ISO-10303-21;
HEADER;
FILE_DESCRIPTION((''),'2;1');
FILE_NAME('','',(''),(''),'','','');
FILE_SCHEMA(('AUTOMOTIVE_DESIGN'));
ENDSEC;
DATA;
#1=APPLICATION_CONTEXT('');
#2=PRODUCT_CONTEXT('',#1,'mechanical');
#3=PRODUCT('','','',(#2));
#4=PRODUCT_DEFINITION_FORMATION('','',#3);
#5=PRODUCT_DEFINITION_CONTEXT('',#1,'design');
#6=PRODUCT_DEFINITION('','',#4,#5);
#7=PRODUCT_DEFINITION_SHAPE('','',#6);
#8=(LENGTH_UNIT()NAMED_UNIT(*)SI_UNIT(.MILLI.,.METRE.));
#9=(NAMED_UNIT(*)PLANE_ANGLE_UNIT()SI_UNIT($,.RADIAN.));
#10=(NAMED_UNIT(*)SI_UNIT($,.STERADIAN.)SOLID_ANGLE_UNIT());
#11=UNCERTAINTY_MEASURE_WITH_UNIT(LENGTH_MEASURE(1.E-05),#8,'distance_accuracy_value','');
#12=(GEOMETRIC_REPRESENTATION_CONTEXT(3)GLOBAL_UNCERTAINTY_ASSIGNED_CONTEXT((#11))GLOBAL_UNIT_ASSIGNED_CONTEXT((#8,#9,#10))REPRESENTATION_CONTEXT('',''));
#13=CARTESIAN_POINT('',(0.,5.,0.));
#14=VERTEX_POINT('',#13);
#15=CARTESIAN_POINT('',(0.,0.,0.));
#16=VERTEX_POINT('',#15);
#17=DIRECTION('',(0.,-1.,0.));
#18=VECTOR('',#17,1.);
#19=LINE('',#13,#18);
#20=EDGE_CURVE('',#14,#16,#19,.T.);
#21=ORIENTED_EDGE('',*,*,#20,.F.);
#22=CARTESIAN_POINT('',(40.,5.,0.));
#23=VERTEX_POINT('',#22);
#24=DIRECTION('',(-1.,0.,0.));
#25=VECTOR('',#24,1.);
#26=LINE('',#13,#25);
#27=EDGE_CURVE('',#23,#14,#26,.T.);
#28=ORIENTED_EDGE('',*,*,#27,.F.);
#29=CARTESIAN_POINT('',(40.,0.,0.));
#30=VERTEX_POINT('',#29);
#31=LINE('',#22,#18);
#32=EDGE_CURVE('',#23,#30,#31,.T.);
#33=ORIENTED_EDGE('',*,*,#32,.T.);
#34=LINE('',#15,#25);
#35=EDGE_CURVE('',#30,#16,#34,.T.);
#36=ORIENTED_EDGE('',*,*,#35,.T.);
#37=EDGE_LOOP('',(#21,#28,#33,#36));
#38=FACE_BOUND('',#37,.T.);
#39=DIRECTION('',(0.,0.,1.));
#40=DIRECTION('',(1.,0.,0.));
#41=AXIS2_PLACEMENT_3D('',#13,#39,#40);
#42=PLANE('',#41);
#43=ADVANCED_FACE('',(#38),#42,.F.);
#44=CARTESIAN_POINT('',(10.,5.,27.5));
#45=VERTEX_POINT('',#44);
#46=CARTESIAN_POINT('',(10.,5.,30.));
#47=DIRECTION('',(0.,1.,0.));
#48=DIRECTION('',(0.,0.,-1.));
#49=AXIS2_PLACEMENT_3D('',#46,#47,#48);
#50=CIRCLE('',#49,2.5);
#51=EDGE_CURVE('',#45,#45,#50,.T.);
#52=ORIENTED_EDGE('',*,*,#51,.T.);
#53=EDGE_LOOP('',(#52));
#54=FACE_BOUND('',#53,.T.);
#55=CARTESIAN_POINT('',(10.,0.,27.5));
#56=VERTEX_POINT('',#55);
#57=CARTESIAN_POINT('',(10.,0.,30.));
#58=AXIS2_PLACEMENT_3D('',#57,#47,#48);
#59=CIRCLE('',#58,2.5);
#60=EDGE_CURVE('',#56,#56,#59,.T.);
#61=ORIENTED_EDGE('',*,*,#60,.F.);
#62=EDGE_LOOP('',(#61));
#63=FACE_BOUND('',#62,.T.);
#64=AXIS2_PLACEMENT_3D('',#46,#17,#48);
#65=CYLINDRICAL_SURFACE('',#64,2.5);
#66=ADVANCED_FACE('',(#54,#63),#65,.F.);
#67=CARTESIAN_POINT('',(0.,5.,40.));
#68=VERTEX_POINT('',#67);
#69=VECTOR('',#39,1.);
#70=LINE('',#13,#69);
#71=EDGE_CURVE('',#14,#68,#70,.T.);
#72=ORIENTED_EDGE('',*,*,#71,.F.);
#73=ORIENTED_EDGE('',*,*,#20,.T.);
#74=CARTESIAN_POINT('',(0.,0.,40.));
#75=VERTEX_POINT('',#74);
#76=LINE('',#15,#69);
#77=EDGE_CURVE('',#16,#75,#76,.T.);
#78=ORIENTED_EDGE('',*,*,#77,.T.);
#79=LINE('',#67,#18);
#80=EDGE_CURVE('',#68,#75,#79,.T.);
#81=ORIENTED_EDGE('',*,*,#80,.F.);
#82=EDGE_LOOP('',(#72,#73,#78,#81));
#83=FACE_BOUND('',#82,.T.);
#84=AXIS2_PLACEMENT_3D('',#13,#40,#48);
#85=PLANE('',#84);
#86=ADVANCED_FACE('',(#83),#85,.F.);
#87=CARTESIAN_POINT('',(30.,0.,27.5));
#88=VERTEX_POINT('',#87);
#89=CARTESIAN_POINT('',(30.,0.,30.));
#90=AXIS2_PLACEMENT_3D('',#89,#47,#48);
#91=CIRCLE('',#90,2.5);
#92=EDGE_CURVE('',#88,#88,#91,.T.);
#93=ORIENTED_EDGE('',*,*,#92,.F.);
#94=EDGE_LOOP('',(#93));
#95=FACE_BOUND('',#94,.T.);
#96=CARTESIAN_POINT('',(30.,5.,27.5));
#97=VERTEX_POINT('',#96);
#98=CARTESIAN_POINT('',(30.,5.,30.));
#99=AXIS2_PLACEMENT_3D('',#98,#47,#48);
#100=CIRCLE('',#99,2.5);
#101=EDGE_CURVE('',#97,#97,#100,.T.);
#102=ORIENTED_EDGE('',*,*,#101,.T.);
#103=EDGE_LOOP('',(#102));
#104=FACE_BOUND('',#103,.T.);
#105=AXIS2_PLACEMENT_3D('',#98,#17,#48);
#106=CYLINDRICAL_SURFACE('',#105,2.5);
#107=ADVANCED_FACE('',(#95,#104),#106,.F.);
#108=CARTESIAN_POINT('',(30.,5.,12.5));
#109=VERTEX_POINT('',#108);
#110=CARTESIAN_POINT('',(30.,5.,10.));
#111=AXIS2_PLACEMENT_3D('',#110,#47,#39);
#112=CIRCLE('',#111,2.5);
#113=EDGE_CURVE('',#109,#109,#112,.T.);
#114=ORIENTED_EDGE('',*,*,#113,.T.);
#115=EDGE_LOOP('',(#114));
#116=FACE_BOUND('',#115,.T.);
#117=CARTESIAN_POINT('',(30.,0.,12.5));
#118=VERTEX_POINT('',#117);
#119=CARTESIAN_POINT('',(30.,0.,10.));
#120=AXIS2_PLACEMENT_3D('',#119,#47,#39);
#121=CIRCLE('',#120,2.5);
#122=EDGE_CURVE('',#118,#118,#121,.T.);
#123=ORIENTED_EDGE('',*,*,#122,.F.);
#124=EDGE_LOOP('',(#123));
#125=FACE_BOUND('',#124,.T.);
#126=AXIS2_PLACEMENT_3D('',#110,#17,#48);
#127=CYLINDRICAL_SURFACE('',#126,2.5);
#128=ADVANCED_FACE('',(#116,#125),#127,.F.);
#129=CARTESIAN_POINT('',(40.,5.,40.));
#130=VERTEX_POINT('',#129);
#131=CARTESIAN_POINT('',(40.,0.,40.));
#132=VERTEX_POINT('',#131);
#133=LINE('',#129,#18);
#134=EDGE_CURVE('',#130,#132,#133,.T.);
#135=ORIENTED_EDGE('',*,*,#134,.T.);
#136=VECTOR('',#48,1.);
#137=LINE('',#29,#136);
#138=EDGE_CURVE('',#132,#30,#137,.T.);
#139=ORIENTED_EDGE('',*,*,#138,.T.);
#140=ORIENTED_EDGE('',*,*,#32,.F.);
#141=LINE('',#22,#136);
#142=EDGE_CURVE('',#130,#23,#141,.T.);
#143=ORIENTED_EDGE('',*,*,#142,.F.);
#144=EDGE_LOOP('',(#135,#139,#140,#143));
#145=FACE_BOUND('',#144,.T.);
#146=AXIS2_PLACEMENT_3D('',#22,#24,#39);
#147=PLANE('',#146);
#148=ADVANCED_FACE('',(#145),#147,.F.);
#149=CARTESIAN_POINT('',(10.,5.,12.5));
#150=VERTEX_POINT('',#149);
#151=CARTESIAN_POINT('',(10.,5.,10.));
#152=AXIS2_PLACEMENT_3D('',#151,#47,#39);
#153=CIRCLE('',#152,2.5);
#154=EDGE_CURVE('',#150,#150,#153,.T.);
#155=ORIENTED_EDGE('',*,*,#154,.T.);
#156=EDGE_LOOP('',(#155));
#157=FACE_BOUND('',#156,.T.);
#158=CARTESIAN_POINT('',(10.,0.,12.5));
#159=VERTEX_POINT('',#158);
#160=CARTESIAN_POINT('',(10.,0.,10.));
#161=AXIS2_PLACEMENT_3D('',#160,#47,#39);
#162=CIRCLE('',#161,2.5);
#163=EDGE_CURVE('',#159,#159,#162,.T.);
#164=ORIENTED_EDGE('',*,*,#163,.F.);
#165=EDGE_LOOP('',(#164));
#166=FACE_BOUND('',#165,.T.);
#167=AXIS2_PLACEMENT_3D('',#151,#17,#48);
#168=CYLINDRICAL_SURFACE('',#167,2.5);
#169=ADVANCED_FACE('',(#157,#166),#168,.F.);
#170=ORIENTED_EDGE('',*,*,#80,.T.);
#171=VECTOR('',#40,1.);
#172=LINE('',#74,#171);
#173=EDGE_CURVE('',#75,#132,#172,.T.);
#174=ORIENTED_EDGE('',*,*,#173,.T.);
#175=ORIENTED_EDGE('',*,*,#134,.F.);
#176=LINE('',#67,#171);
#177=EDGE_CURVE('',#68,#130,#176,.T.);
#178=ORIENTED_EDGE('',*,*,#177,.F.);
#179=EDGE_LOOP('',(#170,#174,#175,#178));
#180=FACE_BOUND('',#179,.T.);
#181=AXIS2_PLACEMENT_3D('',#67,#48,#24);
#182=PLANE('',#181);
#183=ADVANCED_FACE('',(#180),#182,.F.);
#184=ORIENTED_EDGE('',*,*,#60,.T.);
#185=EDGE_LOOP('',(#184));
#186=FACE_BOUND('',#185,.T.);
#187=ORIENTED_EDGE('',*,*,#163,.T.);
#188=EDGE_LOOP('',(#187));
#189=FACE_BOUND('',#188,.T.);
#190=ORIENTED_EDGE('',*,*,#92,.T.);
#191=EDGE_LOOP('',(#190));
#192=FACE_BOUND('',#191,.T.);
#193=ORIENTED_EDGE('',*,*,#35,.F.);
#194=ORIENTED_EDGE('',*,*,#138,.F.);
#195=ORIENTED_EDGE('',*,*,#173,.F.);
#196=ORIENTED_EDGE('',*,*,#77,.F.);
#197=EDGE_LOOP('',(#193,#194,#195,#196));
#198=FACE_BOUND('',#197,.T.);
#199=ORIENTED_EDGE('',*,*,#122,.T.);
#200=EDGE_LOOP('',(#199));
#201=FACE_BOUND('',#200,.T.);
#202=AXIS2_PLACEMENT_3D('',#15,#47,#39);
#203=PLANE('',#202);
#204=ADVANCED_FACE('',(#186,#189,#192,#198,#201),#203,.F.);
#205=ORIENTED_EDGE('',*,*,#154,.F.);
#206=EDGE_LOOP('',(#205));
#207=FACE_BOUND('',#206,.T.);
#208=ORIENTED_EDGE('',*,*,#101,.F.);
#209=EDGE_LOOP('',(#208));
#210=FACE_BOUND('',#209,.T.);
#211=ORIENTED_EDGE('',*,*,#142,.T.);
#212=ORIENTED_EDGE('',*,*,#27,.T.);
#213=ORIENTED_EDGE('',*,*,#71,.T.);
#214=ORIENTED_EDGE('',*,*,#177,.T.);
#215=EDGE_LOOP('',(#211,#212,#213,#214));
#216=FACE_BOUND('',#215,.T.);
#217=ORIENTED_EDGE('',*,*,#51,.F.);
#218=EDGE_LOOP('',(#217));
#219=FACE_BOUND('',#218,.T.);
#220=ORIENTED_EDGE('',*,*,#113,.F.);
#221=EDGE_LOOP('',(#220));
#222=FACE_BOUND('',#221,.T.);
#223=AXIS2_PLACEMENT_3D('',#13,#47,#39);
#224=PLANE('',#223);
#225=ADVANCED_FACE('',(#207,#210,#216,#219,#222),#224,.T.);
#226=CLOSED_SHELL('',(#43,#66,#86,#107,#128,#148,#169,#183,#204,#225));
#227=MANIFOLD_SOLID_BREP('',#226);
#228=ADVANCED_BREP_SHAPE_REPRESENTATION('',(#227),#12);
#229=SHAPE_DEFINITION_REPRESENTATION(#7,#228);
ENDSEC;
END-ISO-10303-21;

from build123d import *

# Parameters (mm, degrees)
SKETCH1_W           = 40
SKETCH1_H           = 40
SKETCH1_R           = 2.5
BOSS_EXTRUDE1_DEPTH = 5


with BuildPart() as part:
    # Sketch1 → Boss-Extrude1 (new body)
    with BuildSketch(Plane(origin=(0, 0, 0), x_dir=(1, 0, 0), z_dir=(0, 1, 0))):
        with Locations((20, -20)):
            Rectangle(SKETCH1_W, SKETCH1_H)
        with Locations((10, -10)):
            Circle(SKETCH1_R, mode=Mode.SUBTRACT)
        with Locations((30, -30)):
            Circle(SKETCH1_R, mode=Mode.SUBTRACT)
        with Locations((10, -30)):
            Circle(SKETCH1_R, mode=Mode.SUBTRACT)
        with Locations((30, -10)):
            Circle(SKETCH1_R, mode=Mode.SUBTRACT)
    extrude(amount=BOSS_EXTRUDE1_DEPTH)


solid = part.part
